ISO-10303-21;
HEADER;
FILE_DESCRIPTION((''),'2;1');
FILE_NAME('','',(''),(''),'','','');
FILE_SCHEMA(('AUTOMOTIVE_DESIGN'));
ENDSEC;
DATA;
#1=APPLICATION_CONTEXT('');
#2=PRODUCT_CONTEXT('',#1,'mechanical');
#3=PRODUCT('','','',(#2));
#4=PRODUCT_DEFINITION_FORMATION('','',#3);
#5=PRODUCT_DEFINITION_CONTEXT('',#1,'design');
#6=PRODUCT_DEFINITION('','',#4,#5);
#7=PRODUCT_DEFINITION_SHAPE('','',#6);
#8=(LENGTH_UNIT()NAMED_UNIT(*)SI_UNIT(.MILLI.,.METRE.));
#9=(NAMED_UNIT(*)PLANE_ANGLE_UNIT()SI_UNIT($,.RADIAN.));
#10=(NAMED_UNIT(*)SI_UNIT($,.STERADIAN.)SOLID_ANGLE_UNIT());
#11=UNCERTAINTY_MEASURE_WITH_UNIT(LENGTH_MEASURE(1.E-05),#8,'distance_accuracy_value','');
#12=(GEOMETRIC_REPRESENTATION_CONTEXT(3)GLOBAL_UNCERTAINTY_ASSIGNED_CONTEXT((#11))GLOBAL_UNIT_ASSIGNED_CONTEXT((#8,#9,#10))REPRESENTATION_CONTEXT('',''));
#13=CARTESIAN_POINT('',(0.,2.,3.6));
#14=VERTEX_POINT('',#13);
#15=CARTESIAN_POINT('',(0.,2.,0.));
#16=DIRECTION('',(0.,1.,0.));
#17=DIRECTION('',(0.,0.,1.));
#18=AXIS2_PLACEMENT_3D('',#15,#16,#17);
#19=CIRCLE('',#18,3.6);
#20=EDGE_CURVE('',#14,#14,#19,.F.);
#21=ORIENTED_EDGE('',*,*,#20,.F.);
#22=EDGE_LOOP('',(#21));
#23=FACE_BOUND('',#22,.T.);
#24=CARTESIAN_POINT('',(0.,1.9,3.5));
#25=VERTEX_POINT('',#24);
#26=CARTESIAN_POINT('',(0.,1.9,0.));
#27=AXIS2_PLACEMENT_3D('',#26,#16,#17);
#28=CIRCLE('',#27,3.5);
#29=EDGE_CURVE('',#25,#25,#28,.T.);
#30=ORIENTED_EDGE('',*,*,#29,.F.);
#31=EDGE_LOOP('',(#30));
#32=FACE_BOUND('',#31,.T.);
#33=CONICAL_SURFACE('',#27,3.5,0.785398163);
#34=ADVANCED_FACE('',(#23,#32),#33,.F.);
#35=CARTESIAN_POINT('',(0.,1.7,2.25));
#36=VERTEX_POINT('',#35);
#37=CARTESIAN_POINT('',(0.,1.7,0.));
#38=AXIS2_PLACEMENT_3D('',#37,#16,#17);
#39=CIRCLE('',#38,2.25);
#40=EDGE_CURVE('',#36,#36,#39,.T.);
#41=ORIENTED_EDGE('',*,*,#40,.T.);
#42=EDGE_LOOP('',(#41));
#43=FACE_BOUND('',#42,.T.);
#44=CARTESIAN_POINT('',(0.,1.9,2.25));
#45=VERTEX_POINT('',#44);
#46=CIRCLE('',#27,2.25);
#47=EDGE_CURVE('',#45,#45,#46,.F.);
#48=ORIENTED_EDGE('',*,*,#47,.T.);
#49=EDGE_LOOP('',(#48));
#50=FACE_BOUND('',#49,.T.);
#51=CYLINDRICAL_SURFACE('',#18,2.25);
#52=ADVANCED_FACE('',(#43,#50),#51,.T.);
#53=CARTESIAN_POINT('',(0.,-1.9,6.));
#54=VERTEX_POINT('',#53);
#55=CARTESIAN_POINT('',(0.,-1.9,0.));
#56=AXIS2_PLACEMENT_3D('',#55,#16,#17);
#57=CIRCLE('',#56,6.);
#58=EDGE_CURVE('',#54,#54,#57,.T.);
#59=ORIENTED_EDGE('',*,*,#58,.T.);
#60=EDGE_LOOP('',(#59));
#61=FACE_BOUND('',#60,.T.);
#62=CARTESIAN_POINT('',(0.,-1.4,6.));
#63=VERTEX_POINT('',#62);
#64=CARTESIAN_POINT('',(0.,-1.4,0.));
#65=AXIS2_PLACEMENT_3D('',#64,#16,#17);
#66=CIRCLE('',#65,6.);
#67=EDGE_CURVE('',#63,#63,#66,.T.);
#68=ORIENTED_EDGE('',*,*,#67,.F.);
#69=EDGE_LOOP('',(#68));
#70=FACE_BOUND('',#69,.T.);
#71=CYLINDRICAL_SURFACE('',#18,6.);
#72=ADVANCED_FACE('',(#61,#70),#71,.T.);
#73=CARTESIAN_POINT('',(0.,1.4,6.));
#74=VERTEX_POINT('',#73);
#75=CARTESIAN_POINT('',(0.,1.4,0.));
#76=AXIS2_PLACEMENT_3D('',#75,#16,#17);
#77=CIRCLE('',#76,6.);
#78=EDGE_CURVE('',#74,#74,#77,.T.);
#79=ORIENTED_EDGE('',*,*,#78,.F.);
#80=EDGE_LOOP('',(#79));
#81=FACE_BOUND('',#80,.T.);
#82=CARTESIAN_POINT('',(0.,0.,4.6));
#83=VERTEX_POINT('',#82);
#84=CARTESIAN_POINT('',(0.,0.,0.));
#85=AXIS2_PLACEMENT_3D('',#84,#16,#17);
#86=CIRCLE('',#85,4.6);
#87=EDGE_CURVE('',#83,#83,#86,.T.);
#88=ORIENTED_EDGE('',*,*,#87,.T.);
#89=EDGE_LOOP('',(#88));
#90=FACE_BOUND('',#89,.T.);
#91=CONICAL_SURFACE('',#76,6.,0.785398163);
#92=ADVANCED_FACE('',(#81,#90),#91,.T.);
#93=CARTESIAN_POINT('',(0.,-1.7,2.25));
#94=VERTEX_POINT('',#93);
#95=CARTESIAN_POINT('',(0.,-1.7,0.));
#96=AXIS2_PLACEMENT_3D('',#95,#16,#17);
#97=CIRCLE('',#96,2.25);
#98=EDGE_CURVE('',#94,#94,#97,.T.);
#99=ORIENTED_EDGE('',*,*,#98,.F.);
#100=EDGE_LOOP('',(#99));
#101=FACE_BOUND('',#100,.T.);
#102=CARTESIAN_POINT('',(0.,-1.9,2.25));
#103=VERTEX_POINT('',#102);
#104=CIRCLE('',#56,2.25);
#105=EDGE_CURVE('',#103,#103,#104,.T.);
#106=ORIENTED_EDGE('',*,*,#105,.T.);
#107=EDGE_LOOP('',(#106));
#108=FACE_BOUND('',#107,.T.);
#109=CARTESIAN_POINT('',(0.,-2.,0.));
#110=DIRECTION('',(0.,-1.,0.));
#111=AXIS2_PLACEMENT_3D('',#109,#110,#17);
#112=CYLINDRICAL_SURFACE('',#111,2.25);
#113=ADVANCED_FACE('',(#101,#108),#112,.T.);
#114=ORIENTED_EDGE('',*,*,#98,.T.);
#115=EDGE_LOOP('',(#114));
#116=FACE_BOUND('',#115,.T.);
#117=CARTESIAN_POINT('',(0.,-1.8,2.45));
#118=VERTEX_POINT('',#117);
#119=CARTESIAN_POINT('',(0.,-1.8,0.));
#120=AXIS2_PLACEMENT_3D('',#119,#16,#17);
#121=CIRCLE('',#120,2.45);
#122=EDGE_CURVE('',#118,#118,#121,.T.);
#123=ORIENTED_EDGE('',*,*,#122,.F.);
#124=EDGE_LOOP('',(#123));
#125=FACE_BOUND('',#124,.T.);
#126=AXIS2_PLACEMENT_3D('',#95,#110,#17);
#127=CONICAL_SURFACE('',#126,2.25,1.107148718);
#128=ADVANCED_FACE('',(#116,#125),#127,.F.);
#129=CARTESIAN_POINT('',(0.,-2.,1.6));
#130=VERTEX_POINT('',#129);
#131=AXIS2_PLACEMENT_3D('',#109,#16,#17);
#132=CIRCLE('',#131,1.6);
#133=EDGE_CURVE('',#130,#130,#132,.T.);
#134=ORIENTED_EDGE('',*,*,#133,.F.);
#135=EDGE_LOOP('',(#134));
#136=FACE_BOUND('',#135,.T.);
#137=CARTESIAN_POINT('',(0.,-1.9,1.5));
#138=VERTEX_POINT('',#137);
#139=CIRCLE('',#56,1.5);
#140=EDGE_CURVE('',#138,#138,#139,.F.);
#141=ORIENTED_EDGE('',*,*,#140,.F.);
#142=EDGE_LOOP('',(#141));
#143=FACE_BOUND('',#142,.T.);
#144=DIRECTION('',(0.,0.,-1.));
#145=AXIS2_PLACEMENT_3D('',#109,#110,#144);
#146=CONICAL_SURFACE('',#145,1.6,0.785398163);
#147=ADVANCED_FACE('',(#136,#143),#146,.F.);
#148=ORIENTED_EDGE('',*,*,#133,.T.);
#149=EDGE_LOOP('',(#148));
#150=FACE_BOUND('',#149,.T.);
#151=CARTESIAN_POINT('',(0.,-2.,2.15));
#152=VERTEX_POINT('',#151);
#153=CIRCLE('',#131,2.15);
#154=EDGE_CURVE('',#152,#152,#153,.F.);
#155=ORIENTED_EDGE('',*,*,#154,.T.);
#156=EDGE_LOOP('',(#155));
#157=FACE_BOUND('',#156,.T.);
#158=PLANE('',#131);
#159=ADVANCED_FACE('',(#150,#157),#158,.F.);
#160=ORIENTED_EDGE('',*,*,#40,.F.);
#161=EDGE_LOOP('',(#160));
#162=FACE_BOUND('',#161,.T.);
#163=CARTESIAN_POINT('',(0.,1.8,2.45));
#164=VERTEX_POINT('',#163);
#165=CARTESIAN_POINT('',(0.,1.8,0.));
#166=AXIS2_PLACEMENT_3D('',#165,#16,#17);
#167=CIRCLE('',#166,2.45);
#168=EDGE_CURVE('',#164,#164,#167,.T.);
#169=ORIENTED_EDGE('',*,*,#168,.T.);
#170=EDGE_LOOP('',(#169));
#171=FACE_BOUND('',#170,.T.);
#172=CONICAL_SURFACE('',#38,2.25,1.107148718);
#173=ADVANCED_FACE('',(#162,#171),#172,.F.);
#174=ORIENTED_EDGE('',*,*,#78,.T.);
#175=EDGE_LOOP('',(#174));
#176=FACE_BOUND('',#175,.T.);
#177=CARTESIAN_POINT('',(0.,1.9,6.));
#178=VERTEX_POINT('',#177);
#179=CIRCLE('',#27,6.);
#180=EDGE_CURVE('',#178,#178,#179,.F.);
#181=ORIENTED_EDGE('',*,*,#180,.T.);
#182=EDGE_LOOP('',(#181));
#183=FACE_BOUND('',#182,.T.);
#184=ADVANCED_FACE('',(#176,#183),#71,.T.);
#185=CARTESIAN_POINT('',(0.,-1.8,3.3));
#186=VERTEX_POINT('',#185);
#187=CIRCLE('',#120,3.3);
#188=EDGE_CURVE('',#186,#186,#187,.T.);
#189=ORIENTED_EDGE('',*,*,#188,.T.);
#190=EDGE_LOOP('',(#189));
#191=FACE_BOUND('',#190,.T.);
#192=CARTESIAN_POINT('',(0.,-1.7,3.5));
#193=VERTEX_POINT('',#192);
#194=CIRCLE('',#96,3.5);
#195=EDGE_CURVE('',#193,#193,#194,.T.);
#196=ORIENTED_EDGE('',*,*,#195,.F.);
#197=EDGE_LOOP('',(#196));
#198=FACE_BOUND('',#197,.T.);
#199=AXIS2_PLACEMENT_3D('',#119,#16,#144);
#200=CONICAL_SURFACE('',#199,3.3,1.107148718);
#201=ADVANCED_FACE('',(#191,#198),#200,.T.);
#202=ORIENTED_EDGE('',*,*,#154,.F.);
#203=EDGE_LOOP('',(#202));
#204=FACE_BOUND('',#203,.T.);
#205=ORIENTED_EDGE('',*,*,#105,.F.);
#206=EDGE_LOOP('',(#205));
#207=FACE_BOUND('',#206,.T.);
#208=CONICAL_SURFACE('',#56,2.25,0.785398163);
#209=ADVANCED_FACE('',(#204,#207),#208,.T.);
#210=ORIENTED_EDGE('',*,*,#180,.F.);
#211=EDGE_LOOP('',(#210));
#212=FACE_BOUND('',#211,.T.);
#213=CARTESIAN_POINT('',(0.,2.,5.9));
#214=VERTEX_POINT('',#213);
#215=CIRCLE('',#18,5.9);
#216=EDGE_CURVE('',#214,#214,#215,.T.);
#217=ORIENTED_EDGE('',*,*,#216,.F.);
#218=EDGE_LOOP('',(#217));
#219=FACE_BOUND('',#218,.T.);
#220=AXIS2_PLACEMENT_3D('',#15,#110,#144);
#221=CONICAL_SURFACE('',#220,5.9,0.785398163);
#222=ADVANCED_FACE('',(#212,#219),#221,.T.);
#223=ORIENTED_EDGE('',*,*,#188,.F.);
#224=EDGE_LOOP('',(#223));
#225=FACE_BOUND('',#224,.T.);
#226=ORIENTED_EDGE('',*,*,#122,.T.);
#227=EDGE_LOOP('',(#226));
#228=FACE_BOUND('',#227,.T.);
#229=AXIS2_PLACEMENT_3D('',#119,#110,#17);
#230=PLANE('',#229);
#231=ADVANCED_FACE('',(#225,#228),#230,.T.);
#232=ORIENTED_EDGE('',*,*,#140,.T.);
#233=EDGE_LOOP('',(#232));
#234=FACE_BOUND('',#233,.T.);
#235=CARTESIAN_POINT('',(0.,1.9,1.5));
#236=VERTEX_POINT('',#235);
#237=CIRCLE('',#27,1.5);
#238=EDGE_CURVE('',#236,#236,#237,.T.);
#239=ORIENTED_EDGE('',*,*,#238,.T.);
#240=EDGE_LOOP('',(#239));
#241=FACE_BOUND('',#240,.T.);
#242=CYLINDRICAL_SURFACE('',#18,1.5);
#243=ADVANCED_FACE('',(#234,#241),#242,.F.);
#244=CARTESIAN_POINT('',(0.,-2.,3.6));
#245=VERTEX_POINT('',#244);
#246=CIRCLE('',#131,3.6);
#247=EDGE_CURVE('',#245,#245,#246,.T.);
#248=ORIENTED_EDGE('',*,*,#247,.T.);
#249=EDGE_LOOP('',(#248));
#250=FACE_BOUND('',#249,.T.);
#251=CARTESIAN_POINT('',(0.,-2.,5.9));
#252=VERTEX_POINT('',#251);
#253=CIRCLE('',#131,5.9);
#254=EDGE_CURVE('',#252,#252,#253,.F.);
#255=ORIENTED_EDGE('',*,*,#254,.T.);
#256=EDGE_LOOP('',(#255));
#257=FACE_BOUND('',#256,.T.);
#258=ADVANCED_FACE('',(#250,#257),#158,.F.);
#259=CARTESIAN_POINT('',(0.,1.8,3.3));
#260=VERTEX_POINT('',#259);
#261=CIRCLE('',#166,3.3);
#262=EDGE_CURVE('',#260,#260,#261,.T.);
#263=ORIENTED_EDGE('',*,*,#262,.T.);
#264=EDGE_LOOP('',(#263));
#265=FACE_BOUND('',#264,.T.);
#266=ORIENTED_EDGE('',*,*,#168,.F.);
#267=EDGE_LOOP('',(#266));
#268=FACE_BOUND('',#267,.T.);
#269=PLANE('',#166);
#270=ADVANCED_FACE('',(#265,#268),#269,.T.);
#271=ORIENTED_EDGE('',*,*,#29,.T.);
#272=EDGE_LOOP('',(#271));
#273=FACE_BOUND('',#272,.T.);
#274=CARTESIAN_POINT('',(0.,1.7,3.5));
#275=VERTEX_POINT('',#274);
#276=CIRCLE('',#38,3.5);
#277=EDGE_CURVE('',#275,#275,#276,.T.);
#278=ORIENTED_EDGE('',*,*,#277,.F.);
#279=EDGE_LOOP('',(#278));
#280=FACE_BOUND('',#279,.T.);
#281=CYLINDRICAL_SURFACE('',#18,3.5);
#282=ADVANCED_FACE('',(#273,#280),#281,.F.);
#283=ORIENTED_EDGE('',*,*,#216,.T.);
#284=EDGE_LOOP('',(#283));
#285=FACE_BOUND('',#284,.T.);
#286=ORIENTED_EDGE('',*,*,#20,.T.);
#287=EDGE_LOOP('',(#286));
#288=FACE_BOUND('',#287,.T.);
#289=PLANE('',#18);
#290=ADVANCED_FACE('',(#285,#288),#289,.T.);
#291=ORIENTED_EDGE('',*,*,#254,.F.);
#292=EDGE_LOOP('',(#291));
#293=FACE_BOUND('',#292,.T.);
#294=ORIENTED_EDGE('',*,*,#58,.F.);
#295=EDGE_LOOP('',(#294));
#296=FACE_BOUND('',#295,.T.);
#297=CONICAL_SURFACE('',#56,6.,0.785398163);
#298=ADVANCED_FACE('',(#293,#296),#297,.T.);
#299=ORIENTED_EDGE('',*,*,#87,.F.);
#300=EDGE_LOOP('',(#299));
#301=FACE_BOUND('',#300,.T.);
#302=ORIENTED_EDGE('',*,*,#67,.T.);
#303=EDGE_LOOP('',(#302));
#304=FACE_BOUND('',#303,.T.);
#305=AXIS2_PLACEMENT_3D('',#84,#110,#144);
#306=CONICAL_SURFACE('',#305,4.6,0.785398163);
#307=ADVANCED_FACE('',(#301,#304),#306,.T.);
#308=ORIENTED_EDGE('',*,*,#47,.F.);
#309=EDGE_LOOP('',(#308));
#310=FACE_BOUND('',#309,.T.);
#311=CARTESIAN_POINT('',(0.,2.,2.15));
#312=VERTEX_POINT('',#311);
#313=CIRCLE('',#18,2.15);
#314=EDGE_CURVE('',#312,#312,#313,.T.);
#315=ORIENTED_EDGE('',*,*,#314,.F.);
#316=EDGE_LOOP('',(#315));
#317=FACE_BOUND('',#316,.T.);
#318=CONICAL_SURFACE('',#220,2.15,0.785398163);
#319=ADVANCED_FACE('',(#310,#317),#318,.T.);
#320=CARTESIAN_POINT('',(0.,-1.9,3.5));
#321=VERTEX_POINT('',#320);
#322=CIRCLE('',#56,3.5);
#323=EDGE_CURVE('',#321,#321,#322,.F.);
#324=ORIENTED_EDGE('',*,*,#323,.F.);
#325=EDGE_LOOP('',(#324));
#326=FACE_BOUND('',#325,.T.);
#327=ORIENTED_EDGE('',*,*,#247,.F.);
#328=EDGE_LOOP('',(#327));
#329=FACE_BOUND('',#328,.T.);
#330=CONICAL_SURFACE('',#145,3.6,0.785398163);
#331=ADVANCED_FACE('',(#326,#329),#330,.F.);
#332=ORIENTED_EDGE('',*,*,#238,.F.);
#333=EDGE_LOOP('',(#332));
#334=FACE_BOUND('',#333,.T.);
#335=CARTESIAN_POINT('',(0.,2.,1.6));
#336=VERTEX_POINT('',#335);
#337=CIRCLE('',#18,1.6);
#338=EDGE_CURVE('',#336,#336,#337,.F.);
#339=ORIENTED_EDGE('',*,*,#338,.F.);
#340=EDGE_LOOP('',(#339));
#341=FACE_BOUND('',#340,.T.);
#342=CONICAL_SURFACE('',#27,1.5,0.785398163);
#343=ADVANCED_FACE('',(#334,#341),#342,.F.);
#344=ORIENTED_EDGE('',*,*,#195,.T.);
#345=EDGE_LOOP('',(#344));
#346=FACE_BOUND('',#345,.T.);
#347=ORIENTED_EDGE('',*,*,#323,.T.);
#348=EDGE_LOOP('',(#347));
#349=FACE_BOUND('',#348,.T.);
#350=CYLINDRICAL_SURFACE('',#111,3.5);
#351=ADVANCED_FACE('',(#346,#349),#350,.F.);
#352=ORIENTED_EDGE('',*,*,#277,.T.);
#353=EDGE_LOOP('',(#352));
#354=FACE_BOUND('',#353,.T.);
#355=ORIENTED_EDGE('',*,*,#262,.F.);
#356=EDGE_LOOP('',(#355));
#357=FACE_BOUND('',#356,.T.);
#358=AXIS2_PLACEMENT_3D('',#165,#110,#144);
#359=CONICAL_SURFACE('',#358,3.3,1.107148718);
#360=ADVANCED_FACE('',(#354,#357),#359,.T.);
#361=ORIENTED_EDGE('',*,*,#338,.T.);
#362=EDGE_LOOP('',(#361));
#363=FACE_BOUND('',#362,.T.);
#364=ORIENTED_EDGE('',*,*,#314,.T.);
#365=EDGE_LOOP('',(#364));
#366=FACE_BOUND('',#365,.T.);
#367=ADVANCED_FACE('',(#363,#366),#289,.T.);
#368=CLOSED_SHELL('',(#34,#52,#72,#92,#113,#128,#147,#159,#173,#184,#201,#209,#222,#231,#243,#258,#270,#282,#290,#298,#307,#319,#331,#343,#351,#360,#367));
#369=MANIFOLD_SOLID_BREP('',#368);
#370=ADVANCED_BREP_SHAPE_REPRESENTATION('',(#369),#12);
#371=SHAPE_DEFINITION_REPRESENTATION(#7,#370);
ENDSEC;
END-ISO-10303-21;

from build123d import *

# Parameters (mm, degrees)
CHAMFER1_SIZE = 0.1


with BuildPart() as part:
    # Sketch1 → Revolve1 (revolve)
    with BuildSketch(Plane(origin=(0, 0, 0), x_dir=(0, 0, -1), z_dir=(1, 0, 0))):
        Polygon((4.6, 0), (6, 1.4), (6, 2), (1.5, 2), (1.5, -2), (6, -2), (6, -1.4), align=None)
    revolve(axis=Axis((0, 2, 0), (0, -1, 0)))

    # Sketch3 → Cut-Revolve2 (revolve, cut)
    with BuildSketch(Plane(origin=(0, 0, 0), x_dir=(0, 0, -1), z_dir=(1, 0, 0))):
        Polygon((3.3, 1.8), (3.5, 1.7), (3.5, 2), (2.25, 2), (2.25, 1.7), (2.45, 1.8), align=None)
    cut_revolve2 = revolve(axis=Axis((0, 2, 0), (0, -1, 0)), mode=Mode.SUBTRACT)

    # Mirror1: Cut-Revolve2 across plane
    add(cut_revolve2.mirror(Plane.ZX), mode=Mode.SUBTRACT)

    # Chamfer1
    chamfer1_edges = [part.edges().sort_by_distance(p)[0] for p in [
        (0, 2, 3.5),
        (0, 2, 2.25),
        (0, -2, 3.5),
        (0, -2, 2.25),
        (0, 2, 6),
        (0, -2, 6),
        (0, -2, 1.5),
        (0, 2, 1.5),
    ]]
    chamfer(chamfer1_edges, length=CHAMFER1_SIZE)


solid = part.part
